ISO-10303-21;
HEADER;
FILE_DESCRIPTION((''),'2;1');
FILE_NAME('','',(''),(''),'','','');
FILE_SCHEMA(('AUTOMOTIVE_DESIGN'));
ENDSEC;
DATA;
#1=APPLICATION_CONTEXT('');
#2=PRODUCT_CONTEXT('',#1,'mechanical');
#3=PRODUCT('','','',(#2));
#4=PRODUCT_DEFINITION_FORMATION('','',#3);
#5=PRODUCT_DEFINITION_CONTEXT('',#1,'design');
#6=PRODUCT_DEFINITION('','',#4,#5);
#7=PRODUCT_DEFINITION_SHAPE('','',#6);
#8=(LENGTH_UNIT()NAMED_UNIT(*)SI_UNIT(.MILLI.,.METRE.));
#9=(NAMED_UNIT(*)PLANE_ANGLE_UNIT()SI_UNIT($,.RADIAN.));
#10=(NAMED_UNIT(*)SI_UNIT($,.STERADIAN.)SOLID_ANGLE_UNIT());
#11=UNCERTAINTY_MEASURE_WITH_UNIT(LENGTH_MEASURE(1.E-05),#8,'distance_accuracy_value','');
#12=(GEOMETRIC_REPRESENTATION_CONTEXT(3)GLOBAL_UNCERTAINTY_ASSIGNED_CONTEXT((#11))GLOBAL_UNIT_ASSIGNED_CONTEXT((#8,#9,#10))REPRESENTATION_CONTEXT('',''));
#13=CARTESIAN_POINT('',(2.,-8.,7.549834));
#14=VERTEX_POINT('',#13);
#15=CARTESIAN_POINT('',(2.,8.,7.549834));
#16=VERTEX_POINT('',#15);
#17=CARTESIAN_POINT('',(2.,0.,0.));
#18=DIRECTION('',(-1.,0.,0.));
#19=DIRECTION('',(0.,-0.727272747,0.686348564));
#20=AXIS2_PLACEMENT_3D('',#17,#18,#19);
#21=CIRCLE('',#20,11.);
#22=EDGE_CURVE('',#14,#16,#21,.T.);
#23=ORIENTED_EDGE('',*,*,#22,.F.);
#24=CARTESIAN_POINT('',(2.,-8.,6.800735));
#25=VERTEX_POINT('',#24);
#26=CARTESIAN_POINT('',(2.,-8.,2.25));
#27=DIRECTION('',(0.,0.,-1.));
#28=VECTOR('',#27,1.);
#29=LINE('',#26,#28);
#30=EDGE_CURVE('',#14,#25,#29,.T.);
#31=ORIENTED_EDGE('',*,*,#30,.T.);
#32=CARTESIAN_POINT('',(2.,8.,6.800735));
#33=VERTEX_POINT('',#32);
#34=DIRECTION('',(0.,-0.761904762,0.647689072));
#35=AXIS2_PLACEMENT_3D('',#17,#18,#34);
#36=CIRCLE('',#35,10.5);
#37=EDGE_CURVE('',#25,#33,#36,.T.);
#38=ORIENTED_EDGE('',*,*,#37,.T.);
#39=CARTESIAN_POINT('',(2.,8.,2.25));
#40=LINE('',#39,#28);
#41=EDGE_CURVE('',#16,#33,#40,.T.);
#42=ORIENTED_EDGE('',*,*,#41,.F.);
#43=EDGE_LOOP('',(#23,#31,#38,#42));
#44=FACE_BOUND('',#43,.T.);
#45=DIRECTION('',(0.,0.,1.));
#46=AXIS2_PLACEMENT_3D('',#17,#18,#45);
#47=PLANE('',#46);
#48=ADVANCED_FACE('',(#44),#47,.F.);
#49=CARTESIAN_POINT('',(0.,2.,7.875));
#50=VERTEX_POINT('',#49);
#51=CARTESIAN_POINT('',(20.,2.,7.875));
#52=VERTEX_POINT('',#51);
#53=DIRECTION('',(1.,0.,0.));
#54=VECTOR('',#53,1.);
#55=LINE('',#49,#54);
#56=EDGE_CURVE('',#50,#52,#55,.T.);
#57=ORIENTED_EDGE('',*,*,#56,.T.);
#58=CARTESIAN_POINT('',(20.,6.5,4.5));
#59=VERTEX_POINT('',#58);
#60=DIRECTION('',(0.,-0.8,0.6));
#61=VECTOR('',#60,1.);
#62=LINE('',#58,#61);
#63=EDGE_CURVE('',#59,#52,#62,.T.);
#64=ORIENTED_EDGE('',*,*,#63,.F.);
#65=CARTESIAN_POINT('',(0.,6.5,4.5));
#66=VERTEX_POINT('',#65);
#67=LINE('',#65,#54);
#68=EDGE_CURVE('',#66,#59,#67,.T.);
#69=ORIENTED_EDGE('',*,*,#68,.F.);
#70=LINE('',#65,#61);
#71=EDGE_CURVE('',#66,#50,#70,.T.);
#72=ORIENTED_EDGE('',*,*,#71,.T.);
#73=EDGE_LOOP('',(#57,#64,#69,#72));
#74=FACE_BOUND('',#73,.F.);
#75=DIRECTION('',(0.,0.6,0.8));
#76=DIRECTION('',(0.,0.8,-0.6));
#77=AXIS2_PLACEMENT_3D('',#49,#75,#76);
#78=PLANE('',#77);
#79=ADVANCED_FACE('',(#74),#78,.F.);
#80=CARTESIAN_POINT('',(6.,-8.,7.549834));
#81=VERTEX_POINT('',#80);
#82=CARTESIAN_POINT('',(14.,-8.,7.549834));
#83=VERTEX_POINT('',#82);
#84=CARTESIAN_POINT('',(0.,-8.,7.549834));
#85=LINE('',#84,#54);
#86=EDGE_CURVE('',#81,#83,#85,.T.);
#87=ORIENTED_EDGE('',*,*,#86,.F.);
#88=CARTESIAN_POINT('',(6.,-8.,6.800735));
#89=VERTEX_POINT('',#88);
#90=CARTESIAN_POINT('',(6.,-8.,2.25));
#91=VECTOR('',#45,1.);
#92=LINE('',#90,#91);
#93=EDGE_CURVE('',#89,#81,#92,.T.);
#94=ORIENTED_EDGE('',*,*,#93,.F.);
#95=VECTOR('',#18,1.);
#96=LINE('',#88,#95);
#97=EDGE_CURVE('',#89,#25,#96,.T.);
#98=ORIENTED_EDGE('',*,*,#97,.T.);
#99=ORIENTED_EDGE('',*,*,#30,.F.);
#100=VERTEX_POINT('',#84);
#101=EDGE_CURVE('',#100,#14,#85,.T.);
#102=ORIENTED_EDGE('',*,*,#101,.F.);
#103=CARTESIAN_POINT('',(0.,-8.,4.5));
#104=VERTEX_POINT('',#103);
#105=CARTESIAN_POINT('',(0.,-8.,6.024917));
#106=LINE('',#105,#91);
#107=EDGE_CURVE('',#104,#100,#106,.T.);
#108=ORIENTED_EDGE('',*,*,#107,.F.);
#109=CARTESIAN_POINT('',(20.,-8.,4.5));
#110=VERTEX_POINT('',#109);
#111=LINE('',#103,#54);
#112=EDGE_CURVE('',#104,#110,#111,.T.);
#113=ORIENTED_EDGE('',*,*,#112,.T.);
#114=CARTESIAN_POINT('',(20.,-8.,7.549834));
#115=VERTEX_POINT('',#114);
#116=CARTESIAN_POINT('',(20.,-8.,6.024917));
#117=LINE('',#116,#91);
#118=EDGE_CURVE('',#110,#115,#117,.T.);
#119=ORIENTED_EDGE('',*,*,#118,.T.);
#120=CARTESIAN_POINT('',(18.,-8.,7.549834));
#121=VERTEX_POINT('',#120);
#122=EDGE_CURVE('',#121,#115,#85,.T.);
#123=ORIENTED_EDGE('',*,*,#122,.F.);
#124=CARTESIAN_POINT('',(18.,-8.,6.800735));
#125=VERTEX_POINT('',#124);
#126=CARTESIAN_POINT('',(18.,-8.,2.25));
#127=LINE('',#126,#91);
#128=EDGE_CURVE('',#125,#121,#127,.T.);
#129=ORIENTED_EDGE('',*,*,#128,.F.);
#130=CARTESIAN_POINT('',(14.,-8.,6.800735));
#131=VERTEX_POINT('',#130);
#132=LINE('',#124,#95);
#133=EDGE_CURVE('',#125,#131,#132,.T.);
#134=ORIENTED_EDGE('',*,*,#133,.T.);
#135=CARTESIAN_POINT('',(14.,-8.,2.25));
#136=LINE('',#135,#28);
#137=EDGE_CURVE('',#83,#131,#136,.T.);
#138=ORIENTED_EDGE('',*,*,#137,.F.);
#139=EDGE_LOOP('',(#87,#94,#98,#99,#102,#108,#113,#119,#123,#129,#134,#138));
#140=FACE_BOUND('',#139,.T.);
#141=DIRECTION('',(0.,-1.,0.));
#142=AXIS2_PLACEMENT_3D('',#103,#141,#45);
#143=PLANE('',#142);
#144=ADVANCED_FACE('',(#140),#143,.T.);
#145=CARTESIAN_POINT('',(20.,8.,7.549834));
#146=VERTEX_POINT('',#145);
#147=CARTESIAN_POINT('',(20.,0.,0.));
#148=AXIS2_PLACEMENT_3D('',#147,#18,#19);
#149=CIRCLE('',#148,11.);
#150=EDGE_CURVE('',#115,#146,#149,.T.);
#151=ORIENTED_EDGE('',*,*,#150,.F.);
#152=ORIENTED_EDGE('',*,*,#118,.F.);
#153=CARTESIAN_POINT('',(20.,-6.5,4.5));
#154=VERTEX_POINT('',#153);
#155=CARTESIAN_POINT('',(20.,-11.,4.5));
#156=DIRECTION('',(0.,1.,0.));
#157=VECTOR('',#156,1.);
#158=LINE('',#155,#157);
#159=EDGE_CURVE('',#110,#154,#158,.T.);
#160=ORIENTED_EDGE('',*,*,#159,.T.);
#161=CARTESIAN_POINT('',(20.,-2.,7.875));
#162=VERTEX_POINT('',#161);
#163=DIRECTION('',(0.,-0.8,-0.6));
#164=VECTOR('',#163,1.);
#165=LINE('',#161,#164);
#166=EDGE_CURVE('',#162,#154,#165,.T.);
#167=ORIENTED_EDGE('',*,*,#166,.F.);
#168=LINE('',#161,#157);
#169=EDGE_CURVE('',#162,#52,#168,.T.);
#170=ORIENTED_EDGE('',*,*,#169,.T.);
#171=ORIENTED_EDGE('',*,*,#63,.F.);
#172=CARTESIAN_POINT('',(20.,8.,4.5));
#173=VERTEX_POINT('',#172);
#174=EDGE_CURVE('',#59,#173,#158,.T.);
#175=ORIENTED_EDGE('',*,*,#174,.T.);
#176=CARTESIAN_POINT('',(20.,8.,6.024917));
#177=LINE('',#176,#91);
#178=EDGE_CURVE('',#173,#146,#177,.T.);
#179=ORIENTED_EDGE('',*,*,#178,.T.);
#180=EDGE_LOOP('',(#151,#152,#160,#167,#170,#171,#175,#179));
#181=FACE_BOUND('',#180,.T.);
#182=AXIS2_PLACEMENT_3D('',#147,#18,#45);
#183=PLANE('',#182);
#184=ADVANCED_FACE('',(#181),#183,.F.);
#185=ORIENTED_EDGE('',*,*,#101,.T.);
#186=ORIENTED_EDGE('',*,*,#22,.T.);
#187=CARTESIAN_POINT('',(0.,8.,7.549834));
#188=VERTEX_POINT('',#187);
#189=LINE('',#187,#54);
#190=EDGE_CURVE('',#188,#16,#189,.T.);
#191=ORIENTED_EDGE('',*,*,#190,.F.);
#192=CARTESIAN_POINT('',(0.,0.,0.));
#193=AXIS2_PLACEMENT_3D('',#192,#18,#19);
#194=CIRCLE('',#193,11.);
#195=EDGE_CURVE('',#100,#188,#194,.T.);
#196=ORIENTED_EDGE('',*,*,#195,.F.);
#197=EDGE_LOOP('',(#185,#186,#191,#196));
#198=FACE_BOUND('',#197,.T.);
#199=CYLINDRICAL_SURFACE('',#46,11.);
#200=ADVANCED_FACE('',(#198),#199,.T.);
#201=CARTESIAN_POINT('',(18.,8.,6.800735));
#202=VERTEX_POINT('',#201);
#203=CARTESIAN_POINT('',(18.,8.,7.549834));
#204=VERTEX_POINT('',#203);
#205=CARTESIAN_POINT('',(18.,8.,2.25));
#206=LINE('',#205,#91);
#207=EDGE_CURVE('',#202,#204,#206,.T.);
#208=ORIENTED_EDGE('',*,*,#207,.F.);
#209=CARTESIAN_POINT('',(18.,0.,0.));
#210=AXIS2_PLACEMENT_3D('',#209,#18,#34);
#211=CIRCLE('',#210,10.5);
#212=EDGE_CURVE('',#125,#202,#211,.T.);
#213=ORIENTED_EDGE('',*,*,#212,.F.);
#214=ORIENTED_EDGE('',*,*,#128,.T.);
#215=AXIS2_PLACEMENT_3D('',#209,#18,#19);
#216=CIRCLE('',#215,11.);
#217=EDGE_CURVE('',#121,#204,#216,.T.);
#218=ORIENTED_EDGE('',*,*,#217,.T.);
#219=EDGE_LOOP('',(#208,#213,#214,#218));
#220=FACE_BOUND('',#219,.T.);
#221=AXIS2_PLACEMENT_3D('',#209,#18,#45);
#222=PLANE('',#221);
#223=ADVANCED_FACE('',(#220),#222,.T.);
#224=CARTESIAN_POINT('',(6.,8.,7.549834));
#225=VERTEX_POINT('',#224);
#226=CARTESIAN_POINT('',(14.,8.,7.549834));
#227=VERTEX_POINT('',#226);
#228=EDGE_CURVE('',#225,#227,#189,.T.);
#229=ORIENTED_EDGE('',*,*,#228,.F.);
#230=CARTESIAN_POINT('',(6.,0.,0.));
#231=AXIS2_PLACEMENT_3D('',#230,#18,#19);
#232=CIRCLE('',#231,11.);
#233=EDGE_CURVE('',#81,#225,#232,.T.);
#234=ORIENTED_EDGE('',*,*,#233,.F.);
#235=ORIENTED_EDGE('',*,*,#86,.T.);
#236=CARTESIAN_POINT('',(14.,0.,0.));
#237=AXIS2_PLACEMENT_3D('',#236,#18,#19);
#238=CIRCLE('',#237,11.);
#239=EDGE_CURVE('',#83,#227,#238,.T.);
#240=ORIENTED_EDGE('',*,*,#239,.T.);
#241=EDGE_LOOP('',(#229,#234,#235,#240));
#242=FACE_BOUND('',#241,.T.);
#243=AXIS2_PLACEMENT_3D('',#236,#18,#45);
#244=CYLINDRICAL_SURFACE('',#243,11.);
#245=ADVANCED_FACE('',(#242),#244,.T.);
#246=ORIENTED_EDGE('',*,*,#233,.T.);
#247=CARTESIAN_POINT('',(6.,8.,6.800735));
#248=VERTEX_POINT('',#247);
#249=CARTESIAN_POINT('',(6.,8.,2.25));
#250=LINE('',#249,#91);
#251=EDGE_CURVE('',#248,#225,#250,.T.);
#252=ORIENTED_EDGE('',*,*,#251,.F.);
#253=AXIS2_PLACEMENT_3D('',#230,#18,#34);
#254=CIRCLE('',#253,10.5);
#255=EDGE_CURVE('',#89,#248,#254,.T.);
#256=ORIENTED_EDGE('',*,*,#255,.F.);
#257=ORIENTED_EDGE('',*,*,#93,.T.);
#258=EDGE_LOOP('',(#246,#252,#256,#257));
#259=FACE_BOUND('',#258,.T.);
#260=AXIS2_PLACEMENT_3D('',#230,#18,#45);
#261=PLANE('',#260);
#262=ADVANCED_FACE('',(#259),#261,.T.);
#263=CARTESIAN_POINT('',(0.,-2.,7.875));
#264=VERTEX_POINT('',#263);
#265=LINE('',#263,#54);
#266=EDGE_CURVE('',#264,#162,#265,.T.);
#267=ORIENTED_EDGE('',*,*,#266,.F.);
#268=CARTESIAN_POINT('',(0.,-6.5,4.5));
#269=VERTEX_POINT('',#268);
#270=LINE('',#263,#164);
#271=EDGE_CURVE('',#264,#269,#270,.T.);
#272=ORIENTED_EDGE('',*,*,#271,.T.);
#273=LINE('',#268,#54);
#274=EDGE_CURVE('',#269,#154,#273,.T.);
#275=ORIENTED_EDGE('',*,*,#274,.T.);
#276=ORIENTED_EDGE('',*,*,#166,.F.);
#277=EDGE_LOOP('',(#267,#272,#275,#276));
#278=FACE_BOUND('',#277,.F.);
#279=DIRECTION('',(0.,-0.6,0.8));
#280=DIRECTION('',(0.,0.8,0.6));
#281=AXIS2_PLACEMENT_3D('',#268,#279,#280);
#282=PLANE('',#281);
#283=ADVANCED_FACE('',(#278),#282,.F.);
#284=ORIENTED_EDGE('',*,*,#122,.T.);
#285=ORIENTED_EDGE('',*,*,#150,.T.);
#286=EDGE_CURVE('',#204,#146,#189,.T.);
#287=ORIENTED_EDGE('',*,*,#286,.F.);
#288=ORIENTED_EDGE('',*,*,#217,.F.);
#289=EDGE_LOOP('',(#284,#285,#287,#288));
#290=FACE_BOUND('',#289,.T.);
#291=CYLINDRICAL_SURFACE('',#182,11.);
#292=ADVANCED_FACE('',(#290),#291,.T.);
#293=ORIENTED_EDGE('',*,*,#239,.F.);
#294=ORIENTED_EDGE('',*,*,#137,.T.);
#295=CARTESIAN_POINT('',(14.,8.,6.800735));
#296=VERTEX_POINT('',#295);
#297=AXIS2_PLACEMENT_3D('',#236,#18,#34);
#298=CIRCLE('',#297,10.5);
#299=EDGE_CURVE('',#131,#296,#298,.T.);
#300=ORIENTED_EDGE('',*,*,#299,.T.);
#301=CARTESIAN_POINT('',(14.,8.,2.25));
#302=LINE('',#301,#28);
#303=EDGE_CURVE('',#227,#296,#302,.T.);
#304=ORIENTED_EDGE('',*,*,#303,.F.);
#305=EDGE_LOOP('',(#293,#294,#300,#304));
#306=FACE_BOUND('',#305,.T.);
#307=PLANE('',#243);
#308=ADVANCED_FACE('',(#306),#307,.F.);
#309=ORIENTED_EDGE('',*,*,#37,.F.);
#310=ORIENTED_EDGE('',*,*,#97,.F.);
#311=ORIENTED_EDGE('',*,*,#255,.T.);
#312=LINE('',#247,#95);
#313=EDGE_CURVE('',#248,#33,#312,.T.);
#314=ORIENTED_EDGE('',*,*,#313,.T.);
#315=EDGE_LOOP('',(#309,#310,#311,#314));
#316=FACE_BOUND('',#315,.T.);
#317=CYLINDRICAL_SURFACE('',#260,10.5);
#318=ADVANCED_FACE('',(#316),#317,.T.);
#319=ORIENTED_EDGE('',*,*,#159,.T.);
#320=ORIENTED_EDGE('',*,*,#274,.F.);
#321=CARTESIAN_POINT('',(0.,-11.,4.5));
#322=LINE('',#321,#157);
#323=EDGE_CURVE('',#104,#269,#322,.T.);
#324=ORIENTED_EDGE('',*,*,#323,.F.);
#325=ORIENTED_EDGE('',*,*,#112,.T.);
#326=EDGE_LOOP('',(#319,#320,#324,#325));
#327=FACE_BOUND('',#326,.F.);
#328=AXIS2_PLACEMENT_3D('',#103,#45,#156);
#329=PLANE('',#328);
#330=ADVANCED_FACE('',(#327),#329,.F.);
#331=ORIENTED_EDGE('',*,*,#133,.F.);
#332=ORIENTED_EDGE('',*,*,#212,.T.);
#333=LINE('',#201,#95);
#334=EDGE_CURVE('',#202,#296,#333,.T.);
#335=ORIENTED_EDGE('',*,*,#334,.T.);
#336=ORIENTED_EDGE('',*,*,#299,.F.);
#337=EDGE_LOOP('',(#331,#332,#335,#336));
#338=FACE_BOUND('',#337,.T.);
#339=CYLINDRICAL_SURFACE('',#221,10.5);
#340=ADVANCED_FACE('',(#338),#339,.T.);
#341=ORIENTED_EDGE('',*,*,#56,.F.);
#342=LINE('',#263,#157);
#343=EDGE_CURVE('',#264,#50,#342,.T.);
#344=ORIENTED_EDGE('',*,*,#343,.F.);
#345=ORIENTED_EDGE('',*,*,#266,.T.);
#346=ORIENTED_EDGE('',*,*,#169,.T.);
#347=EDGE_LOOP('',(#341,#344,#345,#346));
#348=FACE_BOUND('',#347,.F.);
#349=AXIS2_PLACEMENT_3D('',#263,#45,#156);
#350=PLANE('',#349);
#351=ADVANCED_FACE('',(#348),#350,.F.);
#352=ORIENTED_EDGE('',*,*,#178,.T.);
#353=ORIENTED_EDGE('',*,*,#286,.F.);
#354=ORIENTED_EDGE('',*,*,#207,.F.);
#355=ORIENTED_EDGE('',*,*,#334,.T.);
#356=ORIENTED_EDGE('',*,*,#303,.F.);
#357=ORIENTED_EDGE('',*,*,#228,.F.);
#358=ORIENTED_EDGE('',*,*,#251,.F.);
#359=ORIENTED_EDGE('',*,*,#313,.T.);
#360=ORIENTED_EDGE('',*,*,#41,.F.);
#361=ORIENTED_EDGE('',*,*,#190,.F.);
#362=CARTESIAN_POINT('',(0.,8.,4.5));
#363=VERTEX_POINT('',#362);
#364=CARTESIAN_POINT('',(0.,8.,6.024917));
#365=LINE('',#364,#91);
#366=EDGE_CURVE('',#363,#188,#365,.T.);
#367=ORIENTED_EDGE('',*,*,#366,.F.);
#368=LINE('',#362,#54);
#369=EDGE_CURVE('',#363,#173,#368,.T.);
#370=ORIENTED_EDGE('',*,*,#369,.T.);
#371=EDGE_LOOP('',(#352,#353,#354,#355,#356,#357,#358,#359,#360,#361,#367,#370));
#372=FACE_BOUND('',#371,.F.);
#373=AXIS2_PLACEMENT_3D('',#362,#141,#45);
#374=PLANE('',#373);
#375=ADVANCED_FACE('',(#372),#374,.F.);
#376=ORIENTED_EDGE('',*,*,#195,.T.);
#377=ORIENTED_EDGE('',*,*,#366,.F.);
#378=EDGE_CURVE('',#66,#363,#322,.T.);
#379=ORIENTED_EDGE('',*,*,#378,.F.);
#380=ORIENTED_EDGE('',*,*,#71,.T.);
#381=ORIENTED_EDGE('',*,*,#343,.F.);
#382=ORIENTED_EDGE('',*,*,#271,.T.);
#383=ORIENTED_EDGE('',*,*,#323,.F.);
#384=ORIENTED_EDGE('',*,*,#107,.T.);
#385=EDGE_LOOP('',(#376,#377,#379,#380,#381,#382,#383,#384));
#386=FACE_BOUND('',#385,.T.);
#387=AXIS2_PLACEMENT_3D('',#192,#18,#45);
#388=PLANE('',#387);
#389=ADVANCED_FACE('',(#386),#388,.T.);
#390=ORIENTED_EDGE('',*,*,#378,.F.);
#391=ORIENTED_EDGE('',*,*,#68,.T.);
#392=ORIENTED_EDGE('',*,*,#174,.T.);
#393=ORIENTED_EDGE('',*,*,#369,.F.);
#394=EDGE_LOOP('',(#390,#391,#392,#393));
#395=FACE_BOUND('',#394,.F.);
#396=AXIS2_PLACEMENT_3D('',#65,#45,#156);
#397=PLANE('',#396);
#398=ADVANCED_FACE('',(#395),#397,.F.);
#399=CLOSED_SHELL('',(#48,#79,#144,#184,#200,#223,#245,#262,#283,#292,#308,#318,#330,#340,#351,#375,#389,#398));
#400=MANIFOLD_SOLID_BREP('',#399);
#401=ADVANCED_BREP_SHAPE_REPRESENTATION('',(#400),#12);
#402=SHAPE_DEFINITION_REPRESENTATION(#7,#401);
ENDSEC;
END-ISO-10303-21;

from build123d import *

# Parameters (mm, degrees)
F2_W     = 3
F2_H     = 3.049834
F3_DEPTH = 20


with BuildPart() as f1:
    # F0 (on Front) → F1 (revolve)
    with BuildSketch(Plane.XZ):
        Polygon((0, 11), (0, 7.5), (20, 7.5), (20, 11), (18, 11), (18, 10.5), (14, 10.5), (14, 11), (6, 11), (6, 10.5), (2, 10.5), (2, 11), align=None)
    revolve(axis=Axis((10, 0, 0), (-1, 0, 0)))

    # F2 (on face) → F3 (cut, through all)
    with BuildSketch(Plane(origin=(0, 0, 0), x_dir=(0, -1, 0), z_dir=(-1, 0, 0))):
        with Locations((-9.5, 6.024917)):
            Rectangle(F2_W, F2_H)
        Polygon((-8, 4.5), (-11, 4.5), (-11, -11), (11, -11), (11, 4.5), (8, 4.5), (6.5, 4.5), (-6.5, 4.5), align=None)
        Polygon((-2, 7.875), (-6.5, 4.5), (6.5, 4.5), (2, 7.875), align=None)
        with Locations((9.5, 6.024917)):
            Rectangle(F2_W, F2_H)
    extrude(amount=-F3_DEPTH, mode=Mode.SUBTRACT)


solid = f1.part
